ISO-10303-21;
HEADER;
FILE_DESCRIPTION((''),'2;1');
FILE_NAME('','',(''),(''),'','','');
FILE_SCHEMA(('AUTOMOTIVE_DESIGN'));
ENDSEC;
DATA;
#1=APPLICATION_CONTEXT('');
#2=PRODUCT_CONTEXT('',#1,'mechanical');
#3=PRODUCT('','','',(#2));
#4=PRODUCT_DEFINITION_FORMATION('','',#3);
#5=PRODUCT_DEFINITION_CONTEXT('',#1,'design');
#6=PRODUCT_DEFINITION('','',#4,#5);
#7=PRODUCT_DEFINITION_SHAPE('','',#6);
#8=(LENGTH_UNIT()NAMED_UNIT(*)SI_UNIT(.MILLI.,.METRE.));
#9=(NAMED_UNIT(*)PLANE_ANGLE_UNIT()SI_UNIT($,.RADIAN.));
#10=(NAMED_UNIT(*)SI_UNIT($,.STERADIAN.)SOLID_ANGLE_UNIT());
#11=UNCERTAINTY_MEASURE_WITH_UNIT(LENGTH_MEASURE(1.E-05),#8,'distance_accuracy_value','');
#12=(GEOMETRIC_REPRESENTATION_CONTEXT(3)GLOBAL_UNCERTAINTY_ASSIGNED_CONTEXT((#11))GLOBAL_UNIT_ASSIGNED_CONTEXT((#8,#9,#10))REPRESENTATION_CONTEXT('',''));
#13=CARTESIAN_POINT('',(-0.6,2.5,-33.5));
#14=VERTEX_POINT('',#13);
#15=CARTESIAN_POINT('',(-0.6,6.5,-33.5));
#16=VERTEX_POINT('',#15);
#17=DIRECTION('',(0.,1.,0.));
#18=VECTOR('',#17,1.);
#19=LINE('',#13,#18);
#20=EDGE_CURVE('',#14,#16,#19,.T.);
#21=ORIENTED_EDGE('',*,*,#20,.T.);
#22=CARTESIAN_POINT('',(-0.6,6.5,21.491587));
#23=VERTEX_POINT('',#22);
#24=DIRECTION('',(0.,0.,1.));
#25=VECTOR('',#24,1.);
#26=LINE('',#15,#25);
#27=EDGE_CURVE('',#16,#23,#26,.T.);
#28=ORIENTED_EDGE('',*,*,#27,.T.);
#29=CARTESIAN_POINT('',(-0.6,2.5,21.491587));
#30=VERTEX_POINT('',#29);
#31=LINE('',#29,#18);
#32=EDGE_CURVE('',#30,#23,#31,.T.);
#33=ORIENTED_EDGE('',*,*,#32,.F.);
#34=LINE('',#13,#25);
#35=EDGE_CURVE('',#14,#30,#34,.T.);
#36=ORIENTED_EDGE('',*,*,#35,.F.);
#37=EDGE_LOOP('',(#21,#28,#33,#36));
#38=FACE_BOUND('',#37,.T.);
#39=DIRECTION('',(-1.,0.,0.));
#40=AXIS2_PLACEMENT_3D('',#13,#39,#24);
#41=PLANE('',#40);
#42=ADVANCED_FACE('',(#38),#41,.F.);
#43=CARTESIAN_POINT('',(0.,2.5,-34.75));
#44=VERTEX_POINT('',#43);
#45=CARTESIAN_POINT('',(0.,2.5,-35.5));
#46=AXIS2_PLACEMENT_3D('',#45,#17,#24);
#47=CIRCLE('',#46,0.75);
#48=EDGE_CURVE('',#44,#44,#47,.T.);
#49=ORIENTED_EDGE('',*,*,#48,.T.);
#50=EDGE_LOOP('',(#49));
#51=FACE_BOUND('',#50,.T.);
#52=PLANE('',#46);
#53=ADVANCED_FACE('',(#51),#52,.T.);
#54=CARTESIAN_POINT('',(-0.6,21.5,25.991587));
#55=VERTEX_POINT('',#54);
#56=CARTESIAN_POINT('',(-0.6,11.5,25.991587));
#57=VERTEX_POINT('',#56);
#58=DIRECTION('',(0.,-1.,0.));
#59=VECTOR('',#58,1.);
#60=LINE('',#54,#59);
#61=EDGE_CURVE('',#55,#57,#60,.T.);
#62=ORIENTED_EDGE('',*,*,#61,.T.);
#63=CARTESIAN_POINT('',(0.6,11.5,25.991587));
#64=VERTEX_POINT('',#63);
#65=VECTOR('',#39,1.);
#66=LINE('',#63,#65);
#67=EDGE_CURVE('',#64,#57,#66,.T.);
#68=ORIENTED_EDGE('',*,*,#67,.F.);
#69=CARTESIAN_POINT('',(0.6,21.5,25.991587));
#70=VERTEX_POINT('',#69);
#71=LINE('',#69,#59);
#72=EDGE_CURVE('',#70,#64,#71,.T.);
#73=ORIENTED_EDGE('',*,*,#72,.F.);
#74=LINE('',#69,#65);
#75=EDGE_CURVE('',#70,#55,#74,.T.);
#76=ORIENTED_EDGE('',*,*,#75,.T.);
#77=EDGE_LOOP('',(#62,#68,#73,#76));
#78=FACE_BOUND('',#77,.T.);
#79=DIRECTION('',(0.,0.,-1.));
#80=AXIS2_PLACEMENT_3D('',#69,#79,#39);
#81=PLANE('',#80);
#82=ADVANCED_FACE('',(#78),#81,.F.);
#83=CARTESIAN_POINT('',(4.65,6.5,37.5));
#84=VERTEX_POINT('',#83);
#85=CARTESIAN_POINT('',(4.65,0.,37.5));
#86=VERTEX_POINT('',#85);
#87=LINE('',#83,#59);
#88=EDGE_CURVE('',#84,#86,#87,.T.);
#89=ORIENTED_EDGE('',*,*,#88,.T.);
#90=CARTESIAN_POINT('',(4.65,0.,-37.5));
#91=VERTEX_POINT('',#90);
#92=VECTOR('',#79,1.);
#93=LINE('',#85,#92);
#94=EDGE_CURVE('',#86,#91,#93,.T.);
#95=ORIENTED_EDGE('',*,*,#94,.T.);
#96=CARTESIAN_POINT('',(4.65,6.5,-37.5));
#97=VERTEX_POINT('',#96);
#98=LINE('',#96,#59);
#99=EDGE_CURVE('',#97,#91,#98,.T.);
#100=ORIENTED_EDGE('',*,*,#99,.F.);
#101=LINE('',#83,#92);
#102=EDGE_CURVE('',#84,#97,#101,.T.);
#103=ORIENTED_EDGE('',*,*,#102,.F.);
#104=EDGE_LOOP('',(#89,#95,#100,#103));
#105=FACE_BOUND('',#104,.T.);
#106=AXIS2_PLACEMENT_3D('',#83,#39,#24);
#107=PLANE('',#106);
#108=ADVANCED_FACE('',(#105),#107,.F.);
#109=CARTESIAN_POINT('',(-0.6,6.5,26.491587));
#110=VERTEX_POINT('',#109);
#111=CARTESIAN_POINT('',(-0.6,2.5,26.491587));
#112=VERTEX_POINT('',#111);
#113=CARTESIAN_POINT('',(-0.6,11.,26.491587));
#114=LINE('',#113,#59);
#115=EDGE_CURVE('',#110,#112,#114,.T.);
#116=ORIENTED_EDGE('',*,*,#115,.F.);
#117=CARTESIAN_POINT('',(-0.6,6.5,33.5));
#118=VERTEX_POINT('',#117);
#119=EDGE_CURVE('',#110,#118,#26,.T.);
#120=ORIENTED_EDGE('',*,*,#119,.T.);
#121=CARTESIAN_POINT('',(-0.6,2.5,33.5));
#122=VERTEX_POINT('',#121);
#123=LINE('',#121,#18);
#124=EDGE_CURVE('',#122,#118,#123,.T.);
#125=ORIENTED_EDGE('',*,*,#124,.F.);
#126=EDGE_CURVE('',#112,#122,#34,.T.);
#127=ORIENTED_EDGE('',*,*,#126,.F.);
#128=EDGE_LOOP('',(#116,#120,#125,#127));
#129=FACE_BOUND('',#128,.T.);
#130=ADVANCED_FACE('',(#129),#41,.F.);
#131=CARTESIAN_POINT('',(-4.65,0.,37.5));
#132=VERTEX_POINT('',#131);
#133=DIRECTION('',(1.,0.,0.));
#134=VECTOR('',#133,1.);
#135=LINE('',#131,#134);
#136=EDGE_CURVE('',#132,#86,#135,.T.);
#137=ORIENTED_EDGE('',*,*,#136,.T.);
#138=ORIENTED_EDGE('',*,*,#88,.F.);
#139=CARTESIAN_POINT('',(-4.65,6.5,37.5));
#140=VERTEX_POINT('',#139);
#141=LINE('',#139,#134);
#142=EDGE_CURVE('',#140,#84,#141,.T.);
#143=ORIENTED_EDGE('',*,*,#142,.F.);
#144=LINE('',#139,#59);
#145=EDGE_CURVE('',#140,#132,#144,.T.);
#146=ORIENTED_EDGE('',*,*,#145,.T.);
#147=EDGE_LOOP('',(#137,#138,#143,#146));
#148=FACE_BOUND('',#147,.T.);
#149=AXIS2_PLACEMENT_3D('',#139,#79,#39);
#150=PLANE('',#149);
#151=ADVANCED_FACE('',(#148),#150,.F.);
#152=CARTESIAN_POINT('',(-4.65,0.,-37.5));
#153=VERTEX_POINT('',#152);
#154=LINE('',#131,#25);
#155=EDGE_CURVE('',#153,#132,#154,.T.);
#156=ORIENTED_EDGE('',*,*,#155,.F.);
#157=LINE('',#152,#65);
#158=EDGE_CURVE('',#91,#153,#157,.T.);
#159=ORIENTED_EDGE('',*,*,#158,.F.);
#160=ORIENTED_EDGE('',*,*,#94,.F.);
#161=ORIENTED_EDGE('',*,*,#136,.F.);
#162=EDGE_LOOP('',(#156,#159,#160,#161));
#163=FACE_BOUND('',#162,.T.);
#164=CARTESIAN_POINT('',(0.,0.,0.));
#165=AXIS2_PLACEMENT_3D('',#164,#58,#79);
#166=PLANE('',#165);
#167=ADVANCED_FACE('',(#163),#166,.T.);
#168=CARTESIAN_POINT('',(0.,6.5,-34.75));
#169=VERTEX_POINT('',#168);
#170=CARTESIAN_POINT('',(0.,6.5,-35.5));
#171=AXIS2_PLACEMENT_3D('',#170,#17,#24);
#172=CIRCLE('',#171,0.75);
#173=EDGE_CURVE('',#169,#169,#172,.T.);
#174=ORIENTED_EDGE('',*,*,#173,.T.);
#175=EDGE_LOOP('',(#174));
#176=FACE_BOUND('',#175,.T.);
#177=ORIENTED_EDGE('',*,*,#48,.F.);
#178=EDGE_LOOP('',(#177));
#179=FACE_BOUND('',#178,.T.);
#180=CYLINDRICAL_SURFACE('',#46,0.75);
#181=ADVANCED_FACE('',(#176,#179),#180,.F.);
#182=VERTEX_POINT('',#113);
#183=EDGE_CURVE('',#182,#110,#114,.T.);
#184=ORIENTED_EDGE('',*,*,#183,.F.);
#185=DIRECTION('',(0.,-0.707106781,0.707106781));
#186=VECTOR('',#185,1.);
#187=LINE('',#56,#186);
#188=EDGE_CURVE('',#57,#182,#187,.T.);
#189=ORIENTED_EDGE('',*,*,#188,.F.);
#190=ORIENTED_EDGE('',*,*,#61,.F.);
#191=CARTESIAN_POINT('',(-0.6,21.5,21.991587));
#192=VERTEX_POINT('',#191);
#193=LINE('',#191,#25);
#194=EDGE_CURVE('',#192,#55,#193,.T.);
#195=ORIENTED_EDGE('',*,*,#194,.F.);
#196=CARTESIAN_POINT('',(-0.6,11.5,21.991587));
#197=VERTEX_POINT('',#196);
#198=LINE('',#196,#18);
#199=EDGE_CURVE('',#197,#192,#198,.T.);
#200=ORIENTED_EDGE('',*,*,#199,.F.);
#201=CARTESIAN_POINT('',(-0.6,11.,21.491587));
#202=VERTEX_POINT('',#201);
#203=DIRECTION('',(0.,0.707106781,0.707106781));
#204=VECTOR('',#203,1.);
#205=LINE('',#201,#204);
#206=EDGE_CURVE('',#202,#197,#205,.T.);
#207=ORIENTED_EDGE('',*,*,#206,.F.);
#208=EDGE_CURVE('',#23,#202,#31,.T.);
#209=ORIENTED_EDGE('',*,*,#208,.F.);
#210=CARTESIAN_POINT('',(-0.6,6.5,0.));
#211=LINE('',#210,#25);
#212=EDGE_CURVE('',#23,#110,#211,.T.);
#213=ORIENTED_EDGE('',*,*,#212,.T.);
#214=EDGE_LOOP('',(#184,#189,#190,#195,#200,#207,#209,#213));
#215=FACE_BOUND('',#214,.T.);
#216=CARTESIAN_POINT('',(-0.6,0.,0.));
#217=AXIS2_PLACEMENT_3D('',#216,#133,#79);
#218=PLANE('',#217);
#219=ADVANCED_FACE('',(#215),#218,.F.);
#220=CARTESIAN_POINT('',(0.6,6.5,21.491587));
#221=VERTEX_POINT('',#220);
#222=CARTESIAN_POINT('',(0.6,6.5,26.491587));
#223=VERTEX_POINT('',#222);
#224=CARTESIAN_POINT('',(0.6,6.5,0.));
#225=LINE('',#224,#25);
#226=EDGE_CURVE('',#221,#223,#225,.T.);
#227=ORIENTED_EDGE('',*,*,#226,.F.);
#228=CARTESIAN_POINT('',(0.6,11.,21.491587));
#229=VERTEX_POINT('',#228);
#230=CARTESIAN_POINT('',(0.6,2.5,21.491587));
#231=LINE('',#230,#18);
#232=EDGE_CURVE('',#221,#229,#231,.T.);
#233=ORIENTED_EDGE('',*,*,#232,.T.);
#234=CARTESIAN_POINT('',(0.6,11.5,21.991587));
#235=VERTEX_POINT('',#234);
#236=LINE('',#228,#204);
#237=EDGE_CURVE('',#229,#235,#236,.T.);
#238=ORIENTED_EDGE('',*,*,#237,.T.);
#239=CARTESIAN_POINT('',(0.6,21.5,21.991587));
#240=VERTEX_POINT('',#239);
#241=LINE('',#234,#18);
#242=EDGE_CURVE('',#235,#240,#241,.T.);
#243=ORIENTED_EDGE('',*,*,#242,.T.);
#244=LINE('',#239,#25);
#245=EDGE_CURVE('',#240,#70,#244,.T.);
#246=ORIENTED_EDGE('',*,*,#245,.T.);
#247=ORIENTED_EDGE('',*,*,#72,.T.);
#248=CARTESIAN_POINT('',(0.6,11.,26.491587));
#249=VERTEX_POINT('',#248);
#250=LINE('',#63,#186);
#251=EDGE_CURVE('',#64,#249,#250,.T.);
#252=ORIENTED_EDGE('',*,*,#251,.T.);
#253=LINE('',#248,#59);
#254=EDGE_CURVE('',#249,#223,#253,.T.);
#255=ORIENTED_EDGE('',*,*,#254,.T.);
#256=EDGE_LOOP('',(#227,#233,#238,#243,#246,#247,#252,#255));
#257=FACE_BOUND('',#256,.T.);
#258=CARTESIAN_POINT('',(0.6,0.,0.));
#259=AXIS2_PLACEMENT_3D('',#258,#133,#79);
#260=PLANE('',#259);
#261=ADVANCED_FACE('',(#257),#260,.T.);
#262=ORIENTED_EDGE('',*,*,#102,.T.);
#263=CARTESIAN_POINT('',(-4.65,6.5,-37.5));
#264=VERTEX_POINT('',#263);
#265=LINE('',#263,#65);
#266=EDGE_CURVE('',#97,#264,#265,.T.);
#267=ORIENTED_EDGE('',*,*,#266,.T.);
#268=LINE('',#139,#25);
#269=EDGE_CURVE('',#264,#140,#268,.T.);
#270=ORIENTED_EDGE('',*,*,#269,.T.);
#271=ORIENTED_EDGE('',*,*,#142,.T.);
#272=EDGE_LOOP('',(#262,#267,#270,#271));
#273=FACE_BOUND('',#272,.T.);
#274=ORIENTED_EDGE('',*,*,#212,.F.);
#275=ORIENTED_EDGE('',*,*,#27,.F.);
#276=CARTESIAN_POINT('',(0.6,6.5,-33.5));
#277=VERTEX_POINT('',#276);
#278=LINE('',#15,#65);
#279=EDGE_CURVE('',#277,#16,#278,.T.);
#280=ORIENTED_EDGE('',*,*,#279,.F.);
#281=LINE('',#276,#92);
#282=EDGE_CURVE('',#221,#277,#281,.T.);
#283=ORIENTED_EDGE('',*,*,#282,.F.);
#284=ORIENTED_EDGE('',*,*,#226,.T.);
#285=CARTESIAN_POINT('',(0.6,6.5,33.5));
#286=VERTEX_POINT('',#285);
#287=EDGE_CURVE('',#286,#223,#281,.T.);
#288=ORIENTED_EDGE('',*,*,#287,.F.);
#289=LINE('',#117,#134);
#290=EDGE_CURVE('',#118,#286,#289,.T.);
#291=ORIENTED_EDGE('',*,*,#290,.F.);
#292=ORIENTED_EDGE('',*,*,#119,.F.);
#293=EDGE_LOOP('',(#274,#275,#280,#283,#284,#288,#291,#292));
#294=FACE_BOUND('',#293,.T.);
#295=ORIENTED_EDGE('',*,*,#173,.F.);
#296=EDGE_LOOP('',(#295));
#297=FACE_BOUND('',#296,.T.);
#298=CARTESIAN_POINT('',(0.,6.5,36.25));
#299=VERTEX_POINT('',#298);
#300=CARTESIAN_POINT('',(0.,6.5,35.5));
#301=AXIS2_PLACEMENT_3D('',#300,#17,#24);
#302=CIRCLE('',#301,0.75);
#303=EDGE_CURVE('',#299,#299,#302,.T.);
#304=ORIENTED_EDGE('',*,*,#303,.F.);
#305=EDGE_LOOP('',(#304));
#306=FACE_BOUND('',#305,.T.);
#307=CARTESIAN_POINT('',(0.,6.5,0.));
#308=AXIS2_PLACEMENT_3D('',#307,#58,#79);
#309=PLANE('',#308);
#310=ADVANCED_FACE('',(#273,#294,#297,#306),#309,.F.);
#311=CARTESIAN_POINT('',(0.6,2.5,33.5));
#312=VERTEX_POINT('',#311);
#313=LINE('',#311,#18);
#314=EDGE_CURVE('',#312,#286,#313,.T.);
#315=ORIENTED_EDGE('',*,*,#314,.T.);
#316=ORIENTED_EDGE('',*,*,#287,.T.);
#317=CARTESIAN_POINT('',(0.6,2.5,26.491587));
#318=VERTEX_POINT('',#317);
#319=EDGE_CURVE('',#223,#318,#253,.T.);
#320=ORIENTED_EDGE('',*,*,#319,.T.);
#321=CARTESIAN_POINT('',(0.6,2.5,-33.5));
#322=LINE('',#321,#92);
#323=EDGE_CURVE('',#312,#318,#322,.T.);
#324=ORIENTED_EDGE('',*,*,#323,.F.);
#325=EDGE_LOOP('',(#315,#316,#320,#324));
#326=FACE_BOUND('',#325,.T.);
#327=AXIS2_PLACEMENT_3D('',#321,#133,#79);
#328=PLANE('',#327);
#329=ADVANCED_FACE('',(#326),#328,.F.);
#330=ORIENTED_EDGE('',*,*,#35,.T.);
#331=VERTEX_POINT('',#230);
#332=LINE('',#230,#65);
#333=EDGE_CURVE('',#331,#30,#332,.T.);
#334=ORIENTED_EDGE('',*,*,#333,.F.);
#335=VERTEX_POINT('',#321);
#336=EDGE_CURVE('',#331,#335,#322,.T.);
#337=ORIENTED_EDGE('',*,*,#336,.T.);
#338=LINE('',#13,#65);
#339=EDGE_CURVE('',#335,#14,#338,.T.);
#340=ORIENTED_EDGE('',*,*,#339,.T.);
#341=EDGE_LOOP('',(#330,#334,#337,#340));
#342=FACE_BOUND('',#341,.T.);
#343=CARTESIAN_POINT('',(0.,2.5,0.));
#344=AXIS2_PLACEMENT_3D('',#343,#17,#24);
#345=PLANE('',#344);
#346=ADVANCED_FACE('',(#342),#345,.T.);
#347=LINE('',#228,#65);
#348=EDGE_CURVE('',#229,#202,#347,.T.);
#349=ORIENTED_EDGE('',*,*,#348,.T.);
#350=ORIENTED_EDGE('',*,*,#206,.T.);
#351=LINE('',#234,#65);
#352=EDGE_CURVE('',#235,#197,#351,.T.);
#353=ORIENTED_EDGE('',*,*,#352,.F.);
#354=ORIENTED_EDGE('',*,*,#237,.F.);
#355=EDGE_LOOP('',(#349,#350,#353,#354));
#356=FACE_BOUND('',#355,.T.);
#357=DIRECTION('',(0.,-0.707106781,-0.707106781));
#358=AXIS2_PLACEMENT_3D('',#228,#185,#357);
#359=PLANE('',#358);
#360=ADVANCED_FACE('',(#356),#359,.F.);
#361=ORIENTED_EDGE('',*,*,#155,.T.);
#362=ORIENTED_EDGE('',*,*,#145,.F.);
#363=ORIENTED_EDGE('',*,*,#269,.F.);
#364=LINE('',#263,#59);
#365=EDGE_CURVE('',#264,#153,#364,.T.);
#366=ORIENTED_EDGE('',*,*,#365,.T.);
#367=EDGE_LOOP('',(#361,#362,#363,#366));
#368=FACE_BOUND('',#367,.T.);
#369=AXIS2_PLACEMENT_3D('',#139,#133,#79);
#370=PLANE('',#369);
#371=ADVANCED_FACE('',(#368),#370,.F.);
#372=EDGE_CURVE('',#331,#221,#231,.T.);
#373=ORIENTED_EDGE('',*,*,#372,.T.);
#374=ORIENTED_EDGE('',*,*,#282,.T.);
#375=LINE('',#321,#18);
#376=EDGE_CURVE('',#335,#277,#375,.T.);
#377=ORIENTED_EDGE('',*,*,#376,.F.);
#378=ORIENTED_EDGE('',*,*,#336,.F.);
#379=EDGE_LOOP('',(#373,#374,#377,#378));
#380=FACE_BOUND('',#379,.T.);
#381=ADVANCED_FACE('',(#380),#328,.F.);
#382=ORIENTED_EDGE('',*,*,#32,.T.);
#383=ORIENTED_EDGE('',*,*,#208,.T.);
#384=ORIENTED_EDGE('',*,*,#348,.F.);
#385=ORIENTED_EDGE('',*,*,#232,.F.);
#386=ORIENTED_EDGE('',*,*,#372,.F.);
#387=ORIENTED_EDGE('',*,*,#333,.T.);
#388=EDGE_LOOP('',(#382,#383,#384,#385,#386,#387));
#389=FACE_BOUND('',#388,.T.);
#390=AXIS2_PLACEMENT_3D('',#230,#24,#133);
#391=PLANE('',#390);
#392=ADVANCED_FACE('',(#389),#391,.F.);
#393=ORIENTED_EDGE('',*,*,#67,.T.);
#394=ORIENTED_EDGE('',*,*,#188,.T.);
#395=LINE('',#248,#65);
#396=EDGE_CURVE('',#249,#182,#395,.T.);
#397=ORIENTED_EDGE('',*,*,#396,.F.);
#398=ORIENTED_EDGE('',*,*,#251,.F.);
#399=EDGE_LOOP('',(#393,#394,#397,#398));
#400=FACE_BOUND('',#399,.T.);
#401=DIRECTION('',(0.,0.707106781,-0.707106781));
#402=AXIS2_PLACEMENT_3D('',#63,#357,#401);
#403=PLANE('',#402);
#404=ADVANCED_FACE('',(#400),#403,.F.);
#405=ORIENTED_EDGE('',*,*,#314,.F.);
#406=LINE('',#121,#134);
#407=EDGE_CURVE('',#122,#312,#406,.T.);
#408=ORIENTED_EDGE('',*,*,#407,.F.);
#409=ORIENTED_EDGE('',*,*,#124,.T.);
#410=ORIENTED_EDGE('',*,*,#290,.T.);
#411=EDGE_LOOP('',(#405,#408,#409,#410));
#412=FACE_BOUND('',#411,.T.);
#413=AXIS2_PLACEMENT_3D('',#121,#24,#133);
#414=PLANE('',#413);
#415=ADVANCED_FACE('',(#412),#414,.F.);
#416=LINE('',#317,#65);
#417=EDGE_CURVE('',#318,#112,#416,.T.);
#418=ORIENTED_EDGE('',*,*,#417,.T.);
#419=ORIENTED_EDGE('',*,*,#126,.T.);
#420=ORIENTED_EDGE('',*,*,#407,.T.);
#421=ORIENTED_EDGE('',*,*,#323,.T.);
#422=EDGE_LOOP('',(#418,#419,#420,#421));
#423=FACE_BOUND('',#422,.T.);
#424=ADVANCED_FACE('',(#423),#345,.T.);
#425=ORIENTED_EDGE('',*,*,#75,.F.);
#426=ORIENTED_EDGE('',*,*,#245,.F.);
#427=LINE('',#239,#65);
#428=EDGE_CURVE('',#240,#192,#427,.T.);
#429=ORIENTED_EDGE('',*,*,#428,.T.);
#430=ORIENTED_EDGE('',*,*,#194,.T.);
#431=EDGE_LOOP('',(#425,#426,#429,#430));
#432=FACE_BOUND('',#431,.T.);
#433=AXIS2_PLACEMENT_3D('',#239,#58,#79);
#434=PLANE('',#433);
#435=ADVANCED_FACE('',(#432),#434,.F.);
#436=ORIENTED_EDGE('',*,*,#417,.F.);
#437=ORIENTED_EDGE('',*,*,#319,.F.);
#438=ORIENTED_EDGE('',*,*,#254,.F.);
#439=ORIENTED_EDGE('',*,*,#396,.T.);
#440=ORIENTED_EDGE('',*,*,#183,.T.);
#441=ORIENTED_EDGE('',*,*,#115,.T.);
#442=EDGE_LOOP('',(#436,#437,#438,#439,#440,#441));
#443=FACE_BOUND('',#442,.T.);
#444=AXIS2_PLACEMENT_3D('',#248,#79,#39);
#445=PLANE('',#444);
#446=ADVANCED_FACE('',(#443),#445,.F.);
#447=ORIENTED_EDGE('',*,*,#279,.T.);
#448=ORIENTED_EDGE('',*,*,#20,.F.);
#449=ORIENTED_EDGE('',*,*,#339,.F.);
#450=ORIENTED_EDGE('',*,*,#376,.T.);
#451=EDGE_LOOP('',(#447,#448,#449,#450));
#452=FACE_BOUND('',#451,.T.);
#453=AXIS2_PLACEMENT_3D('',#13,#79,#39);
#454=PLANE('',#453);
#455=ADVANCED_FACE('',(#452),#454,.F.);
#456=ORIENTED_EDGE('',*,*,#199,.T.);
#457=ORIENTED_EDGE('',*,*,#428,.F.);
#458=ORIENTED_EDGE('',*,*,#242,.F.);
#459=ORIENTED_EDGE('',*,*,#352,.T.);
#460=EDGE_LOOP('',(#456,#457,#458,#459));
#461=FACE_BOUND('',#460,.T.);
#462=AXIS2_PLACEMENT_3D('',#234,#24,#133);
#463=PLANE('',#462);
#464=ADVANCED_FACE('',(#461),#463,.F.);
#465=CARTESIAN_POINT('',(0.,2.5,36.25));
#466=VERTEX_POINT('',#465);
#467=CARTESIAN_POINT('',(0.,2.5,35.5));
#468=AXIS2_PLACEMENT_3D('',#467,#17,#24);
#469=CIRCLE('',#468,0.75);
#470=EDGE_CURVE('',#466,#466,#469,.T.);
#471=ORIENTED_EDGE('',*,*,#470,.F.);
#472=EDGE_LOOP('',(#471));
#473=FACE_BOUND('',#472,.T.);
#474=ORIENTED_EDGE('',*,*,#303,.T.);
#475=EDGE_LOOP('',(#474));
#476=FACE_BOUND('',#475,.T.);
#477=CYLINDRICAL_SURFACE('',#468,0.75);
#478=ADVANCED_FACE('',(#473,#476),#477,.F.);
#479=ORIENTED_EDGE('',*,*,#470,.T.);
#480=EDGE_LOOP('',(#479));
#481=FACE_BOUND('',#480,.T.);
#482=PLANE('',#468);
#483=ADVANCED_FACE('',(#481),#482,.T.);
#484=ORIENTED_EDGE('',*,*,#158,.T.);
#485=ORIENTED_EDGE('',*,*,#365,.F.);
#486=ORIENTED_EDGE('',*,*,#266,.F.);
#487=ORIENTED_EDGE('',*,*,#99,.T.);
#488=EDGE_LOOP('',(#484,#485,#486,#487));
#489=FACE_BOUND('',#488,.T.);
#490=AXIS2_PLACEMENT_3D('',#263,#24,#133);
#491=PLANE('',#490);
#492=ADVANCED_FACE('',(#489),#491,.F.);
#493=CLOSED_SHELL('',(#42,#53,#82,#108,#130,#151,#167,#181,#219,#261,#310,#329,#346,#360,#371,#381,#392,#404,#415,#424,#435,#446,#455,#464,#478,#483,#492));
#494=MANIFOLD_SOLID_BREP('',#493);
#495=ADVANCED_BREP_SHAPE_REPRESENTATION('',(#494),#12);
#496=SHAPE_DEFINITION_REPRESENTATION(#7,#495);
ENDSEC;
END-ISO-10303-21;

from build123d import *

# Parameters (mm, degrees)
ESQUISSE1_W             = 9.3
ESQUISSE1_H             = 75
BOSS_EXTRU_1_DEPTH      = 6.5
ESQUISSE2_R             = 0.75
ENL_V_MAT_EXTRU_1_DEPTH = 4
ESQUISSE3_W             = 1.2
ESQUISSE3_H             = 67
ENL_V_MAT_EXTRU_2_DEPTH = 4
BOSS_EXTRU_2_DEPTH      = 0.6


with BuildPart() as part:
    # Esquisse1 → Boss.-Extru.1 (new body)
    with BuildSketch(Plane(origin=(0, 0, 0), x_dir=(1, 0, 0), z_dir=(0, 1, 0))):
        Rectangle(ESQUISSE1_W, ESQUISSE1_H)
    extrude(amount=BOSS_EXTRU_1_DEPTH)

    # Esquisse2 → Enlèv. mat.-Extru.1 (cut)
    with BuildSketch(Plane(origin=(0, 6.5, 0), x_dir=(1, 0, 0), z_dir=(0, 1, 0))):
        with Locations(Location((0, 35.5, 0), (0, 0, 270))):
            Circle(ESQUISSE2_R)
        with Locations(Location((0, -35.5, 0), (0, 0, 270))):
            Circle(ESQUISSE2_R)
    extrude(amount=-ENL_V_MAT_EXTRU_1_DEPTH, mode=Mode.SUBTRACT)

    # Esquisse3 → Enlèv. mat.-Extru.2 (cut)
    with BuildSketch(Plane(origin=(0, 6.5, 0), x_dir=(1, 0, 0), z_dir=(0, 1, 0))):
        Rectangle(ESQUISSE3_W, ESQUISSE3_H)
    extrude(amount=-ENL_V_MAT_EXTRU_2_DEPTH, mode=Mode.SUBTRACT)

    # Esquisse4 → Boss.-Extru.2 (add, symmetric)
    with BuildSketch(Plane(origin=(0, 0, 0), x_dir=(0, 0, -1), z_dir=(1, 0, 0))):
        Polygon((-26.491586963, 2.5), (-21.491586963, 2.5), (-21.491586963, 11), (-21.991586963, 11.5), (-21.991586963, 21.5), (-25.991586963, 21.5), (-25.991586963, 11.5), (-26.491586963, 11), align=None)
    extrude(amount=BOSS_EXTRU_2_DEPTH, both=True)


solid = part.part
